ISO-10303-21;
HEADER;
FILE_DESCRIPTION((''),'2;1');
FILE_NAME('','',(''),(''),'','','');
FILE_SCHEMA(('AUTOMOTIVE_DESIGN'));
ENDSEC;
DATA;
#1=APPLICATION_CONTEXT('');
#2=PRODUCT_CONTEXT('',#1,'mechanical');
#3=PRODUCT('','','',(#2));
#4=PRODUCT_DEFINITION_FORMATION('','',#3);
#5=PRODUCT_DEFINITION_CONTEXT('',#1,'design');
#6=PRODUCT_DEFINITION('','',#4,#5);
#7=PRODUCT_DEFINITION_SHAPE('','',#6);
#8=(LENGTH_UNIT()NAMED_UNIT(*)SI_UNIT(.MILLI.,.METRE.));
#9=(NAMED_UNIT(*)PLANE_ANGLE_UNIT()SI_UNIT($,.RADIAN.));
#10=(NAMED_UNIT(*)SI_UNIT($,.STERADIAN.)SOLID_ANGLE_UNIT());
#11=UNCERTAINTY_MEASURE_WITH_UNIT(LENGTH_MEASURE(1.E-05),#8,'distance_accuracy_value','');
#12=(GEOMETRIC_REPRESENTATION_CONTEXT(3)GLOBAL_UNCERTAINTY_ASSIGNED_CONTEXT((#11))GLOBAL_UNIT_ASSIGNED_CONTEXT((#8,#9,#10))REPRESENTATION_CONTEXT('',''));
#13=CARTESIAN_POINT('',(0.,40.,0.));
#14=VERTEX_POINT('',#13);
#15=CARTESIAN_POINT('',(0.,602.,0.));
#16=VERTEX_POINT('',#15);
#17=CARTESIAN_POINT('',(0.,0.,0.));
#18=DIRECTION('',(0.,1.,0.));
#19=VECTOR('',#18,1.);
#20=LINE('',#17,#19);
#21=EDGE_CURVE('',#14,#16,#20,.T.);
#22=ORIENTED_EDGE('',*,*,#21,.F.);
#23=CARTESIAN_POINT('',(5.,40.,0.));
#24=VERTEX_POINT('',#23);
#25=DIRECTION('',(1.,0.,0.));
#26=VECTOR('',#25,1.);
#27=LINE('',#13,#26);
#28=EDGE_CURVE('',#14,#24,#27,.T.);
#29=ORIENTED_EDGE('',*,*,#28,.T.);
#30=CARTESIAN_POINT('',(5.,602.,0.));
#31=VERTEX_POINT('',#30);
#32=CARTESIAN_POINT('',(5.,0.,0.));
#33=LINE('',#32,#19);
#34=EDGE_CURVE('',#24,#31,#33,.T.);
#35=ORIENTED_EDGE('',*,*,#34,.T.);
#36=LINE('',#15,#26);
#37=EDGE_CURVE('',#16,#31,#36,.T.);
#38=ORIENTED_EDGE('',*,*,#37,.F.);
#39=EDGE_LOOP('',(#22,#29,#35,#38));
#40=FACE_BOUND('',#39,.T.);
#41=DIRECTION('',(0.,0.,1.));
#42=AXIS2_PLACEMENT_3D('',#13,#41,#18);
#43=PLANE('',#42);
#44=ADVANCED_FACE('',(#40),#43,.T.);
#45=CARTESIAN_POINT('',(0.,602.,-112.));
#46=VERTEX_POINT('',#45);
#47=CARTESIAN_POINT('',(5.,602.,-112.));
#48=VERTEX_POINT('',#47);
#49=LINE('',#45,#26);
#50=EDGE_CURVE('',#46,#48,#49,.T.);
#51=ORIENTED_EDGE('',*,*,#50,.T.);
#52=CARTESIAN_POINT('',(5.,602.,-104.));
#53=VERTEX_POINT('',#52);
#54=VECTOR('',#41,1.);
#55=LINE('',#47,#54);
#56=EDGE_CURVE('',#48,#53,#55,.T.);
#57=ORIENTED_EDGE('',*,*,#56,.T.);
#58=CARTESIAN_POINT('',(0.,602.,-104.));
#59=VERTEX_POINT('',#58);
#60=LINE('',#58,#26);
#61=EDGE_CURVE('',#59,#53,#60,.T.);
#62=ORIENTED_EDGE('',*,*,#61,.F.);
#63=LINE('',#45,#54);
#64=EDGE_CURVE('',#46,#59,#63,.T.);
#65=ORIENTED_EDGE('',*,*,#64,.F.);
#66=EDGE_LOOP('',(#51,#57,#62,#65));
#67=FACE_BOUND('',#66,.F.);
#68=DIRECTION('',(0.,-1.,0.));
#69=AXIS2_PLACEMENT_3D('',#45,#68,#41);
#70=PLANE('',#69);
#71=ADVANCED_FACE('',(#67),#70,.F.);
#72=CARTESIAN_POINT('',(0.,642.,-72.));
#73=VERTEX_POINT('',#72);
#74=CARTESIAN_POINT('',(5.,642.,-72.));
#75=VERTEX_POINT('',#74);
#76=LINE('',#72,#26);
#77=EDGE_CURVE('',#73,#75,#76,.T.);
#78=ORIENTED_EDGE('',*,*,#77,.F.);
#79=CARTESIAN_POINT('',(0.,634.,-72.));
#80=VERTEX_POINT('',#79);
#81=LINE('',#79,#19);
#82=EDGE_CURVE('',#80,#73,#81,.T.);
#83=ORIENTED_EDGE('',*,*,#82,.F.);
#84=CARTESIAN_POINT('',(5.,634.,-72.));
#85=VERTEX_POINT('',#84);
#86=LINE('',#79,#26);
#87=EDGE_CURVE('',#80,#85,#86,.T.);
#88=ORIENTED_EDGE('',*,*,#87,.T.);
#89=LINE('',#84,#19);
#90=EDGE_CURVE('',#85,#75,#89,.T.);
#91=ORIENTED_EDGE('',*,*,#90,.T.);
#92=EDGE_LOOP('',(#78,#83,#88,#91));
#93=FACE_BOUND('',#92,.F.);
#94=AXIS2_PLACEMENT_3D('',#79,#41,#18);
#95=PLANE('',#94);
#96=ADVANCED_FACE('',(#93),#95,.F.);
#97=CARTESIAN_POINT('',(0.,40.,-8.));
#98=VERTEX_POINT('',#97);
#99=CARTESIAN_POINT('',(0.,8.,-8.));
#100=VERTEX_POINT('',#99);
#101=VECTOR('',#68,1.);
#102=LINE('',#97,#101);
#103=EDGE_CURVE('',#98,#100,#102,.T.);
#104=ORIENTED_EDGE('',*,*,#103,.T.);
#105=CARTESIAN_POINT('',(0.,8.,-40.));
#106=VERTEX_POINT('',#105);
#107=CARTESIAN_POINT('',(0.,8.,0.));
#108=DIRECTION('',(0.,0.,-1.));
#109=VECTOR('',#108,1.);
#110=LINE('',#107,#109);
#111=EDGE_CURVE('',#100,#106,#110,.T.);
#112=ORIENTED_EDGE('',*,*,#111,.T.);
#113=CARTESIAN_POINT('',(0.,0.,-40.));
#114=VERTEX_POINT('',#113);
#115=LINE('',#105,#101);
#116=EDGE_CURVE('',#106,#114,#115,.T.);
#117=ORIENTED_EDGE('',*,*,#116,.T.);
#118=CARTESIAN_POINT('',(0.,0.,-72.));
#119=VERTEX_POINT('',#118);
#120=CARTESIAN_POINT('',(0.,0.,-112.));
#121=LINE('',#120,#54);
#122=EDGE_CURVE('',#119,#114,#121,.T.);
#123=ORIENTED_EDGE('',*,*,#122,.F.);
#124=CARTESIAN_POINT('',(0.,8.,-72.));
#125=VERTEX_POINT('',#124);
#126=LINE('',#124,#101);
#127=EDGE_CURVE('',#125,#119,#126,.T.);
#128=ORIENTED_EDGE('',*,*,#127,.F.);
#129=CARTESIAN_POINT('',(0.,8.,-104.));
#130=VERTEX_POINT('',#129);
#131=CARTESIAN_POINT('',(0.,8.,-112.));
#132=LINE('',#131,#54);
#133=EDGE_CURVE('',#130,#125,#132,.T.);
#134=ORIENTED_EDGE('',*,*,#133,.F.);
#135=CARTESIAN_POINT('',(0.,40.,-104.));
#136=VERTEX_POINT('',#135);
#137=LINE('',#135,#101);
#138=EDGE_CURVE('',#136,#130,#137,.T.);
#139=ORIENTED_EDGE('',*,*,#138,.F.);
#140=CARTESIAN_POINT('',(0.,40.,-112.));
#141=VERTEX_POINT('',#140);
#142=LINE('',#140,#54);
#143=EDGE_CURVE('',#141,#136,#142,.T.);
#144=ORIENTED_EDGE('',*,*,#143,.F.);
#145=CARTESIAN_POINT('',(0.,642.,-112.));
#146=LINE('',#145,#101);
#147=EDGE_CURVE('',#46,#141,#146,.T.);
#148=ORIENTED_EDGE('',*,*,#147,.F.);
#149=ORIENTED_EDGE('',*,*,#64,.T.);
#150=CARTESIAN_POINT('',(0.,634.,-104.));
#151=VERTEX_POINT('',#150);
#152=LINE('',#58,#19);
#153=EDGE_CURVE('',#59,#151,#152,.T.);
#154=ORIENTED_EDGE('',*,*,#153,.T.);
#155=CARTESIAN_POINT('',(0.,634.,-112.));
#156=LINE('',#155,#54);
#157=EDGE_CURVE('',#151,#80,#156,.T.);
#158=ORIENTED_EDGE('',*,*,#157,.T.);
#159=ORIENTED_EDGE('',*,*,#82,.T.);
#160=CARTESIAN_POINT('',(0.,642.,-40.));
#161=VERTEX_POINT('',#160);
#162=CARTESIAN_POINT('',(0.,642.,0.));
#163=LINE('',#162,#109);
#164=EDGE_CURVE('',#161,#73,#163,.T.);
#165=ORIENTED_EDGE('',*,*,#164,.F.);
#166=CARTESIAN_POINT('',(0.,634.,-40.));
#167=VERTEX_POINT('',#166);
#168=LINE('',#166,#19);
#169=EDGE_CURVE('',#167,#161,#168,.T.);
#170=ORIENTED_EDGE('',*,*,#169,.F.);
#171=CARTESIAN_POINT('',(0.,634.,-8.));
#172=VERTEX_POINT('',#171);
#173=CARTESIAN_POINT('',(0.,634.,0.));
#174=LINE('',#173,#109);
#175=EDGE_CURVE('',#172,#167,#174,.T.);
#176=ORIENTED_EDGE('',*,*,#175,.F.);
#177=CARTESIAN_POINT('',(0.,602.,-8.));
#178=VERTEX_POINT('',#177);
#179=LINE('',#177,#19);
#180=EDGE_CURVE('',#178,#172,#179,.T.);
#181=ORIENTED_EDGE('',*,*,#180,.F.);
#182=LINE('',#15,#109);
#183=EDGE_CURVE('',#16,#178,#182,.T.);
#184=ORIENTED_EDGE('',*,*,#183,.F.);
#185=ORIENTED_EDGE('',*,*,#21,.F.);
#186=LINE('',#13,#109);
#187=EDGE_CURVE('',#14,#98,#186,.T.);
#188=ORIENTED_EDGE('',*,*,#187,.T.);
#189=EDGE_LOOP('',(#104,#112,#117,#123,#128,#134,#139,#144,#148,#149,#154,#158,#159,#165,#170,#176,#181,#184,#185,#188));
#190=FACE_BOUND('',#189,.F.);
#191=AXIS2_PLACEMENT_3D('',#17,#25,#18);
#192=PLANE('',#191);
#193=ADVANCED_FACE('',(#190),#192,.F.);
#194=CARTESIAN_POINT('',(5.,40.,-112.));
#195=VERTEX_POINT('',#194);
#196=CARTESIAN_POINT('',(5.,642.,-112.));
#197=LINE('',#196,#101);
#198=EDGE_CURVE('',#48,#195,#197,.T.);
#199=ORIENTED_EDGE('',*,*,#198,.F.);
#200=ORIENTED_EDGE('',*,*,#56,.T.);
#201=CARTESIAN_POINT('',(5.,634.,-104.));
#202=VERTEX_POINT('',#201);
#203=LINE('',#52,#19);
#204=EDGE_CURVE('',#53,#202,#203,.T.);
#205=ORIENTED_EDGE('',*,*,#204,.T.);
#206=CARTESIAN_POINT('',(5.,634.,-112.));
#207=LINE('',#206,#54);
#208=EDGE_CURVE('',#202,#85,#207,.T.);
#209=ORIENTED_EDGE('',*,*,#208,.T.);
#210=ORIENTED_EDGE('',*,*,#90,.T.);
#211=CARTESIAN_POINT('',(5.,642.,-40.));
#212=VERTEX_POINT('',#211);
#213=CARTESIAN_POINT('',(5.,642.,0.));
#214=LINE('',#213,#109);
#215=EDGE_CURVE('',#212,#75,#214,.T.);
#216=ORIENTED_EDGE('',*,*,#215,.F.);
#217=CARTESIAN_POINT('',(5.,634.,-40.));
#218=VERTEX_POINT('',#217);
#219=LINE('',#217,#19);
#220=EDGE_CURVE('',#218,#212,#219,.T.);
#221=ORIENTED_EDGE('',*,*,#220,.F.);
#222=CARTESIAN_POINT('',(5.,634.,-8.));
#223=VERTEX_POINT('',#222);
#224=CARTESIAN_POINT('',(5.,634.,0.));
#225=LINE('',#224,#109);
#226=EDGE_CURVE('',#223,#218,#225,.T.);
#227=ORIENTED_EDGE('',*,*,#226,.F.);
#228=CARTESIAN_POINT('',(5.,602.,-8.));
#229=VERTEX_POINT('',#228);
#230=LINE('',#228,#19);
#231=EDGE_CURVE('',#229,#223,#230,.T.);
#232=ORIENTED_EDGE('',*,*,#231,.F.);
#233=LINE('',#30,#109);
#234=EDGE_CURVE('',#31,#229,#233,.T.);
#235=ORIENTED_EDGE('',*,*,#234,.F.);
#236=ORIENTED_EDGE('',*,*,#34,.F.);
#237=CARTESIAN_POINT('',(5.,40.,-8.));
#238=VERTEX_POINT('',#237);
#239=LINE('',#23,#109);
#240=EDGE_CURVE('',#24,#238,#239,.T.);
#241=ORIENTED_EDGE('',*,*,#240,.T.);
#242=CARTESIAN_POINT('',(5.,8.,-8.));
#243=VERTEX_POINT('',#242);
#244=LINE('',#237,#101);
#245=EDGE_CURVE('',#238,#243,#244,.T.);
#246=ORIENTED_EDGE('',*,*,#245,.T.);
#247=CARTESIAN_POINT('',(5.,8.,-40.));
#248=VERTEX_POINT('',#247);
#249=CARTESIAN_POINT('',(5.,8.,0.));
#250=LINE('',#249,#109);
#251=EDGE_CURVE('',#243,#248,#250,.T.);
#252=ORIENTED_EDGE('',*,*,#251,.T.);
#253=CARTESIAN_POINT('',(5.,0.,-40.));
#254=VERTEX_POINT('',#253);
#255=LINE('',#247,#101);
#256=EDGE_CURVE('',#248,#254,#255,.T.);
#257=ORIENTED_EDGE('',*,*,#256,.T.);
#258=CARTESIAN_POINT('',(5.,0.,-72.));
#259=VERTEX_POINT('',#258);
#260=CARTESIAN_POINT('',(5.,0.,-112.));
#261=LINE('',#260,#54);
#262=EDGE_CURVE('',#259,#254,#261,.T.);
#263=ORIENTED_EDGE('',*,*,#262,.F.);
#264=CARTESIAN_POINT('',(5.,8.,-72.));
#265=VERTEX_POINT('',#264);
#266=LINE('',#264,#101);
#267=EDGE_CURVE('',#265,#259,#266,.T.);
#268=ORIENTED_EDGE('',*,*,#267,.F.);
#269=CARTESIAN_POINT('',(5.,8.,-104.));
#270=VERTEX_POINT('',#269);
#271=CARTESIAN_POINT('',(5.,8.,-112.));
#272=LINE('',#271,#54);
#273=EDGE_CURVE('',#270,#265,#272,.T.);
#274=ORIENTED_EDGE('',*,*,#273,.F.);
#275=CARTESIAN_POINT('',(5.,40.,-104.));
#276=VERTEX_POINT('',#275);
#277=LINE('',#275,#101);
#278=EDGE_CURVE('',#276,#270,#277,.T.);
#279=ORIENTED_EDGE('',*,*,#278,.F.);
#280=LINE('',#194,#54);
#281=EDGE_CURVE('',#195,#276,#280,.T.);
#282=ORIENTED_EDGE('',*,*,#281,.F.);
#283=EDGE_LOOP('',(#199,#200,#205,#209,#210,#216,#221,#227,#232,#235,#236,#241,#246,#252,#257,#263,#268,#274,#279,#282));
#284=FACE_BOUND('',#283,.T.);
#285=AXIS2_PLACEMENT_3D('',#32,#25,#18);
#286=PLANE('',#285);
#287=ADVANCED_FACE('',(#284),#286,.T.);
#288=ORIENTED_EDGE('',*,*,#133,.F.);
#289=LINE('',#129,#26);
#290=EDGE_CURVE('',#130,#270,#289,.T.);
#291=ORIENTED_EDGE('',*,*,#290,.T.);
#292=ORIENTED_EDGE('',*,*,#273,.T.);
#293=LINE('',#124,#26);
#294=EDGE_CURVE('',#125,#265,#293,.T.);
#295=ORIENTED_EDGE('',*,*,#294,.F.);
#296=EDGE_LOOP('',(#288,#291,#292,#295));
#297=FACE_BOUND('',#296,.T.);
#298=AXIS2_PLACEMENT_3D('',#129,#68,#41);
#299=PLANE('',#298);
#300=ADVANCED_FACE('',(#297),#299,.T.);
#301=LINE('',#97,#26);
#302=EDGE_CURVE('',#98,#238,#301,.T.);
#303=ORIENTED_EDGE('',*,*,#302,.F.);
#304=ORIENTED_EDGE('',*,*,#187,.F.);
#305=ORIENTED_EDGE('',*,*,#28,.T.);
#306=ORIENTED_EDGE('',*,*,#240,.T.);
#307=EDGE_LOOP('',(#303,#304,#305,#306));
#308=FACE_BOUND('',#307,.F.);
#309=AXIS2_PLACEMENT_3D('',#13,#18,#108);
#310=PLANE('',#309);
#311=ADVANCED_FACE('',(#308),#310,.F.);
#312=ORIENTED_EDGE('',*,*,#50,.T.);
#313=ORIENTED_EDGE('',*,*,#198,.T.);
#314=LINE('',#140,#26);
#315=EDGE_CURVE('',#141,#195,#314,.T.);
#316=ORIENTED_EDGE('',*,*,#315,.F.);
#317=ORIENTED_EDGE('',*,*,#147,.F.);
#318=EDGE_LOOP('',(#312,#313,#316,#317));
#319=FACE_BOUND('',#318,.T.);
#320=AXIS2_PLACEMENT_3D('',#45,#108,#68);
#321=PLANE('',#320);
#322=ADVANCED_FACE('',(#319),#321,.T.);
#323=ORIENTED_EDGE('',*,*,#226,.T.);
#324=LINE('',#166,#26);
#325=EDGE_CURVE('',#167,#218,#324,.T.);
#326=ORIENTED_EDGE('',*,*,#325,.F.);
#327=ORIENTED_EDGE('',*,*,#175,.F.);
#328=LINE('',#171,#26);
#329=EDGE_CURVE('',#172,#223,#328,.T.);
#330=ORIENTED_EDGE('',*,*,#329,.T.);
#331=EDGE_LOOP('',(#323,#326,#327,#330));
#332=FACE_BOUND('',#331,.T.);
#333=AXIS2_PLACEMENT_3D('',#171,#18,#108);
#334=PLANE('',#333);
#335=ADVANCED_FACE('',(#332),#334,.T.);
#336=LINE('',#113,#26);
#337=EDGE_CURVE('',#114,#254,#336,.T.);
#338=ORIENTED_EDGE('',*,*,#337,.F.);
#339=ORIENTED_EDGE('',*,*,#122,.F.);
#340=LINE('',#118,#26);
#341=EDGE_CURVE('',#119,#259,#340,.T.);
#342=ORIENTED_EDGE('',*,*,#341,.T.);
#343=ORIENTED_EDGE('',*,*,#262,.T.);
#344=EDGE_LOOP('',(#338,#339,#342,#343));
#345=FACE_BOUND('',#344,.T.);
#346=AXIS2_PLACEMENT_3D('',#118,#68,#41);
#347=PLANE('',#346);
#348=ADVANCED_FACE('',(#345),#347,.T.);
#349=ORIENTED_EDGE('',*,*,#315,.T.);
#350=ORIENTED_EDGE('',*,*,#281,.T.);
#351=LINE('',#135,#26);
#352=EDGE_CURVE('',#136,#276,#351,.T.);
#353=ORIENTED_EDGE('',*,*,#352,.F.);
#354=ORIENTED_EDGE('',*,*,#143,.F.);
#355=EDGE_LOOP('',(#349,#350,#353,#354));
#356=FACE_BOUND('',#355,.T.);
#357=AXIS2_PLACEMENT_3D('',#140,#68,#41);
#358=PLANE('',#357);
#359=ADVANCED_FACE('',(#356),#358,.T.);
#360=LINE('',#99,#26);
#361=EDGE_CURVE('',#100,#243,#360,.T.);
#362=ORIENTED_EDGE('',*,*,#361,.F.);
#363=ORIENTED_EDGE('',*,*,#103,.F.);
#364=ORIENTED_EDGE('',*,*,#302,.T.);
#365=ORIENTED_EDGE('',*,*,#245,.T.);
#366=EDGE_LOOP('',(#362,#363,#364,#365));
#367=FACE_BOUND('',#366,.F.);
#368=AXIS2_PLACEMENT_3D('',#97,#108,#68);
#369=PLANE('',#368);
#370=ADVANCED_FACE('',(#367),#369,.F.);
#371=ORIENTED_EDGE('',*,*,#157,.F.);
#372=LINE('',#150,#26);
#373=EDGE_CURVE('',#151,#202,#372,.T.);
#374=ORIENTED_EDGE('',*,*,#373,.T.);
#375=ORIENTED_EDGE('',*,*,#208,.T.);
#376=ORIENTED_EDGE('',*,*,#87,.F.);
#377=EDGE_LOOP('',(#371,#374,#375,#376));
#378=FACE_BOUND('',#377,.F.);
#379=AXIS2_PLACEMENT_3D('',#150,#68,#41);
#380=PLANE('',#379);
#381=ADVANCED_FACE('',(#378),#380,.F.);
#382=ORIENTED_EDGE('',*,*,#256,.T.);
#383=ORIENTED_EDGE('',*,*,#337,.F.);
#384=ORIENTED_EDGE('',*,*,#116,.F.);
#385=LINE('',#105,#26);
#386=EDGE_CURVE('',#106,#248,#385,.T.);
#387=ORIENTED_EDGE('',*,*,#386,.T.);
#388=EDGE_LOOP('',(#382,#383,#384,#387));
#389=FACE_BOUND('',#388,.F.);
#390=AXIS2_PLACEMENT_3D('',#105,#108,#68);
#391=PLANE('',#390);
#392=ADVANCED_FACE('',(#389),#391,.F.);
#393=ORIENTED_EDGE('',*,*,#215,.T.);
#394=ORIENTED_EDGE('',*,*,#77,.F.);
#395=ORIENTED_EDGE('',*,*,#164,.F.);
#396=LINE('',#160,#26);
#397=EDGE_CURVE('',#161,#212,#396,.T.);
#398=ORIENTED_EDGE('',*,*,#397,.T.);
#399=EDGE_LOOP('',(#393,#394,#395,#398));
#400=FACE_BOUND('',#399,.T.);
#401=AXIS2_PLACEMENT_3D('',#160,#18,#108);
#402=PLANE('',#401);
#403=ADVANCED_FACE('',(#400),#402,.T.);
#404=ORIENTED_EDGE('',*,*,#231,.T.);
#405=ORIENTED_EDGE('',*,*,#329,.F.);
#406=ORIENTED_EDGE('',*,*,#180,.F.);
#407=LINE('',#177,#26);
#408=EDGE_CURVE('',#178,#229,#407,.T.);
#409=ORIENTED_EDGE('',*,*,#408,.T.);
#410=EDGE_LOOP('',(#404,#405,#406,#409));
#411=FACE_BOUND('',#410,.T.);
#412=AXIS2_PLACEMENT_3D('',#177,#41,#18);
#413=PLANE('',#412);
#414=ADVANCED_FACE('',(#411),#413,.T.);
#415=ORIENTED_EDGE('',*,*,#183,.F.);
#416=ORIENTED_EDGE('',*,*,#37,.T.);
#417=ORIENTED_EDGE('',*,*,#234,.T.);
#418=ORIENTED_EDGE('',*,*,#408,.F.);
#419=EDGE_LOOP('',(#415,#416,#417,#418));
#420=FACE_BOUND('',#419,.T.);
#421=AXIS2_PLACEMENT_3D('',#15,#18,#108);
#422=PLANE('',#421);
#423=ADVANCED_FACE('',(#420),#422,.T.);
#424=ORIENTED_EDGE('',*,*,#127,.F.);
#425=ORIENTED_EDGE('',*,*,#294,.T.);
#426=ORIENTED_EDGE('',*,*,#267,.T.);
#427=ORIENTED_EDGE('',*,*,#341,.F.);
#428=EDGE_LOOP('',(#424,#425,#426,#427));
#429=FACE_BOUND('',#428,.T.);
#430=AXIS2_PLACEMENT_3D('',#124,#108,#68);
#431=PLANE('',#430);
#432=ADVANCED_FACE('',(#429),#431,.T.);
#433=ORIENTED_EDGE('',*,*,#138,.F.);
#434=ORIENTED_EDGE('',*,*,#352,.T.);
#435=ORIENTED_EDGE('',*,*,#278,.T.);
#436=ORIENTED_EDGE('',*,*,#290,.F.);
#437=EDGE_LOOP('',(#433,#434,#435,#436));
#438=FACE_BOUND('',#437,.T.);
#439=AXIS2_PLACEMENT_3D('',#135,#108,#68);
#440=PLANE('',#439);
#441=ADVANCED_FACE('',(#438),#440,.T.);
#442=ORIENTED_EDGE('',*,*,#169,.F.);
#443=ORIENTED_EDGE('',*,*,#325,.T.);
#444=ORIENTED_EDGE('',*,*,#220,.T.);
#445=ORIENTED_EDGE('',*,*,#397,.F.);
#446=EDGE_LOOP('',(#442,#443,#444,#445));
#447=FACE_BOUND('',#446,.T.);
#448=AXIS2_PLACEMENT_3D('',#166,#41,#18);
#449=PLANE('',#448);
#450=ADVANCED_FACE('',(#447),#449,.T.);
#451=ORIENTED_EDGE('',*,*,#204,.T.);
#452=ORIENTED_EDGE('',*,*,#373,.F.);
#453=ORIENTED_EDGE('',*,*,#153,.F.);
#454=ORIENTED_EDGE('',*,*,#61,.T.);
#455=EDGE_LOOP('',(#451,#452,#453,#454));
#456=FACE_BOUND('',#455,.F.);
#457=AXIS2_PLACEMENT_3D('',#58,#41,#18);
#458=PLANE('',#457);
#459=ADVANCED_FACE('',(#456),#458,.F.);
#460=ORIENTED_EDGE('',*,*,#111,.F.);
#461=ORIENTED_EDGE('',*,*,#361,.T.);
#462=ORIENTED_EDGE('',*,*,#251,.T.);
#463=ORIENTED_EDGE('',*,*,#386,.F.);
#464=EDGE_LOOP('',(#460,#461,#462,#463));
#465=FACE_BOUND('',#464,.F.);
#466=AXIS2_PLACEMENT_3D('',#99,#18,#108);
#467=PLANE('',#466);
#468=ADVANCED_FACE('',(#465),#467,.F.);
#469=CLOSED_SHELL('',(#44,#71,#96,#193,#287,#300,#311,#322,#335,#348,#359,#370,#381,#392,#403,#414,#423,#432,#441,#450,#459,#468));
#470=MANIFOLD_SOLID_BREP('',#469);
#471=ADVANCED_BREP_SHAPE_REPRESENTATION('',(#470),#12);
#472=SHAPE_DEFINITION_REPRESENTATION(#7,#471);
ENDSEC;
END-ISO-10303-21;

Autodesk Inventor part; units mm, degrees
ref_plane "YZ Plane" through (0, 0, 0) normal (1, 0, 0) x (0, 1, 0)
ref_plane "XZ Plane" through (0, 0, 0) normal (0, 1, 0) x (-1, 0, 0)
ref_plane "XY Plane" through (0, 0, 0) normal (0, 0, 1) x (1, 0, 0)
sketch "Sketch1" plane through (0, 0, 0) normal (1, 0, 0) x (0, 1, 0)
  line L0 (0, 0) -> (642, 0)
  line L1 (642, 0) -> (642, -112)
  line L2 (642, -112) -> (0, -112)
  line L3 (0, -112) -> (0, 0)
  line L4 (642, 0) -> (634, 0)
  line L5 (634, 0) -> (634, -40)
  line L6 (634, -40) -> (642, -40)
  line L7 (642, -40) -> (642, 0)
  line L8 (642, 0) -> (602, 0)
  line L9 (602, 0) -> (602, -8)
  line L10 (602, -8) -> (642, -8)
  line L11 (642, -8) -> (642, 0)
  line L12 (856.5319, -56) -> (-65.1606, -56) construction
  line L13 (321, 165.682) -> (321, -1074.2454) construction
  line L14 (642, -112) -> (634, -112)
  line L15 (634, -112) -> (634, -72)
  line L16 (634, -72) -> (642, -72)
  line L17 (642, -72) -> (642, -112)
  line L18 (642, -112) -> (602, -112)
  line L19 (602, -112) -> (602, -104)
  line L20 (602, -104) -> (642, -104)
  line L21 (642, -104) -> (642, -112)
  line L22 (0, 0) -> (0, -112)
  line L23 (0, 0) -> (8, 0)
  line L24 (8, 0) -> (8, -40)
  line L25 (8, -40) -> (0, -40)
  line L26 (0, -40) -> (0, 0)
  line L27 (0, 0) -> (40, 0)
  line L28 (40, 0) -> (40, -8)
  line L29 (40, -8) -> (0, -8)
  line L30 (0, -8) -> (0, 0)
  line L31 (8, -72) -> (0, -72)
  line L32 (40, -104) -> (0, -104)
  line L33 (0, -112) -> (8, -112)
  line L34 (8, -112) -> (8, -72)
  line L35 (0, -72) -> (0, -112)
  line L36 (0, -112) -> (40, -112)
  line L37 (40, -112) -> (40, -104)
  line L38 (0, -104) -> (0, -112)
  point P0 (40, -112)
  point P1 (602, -112)
  point P2 (634, -104)
  point P3 (642, -72)
  point P4 (642, -40)
  point P5 (634, -8)
  point P6 (602, 0)
  point P7 (40, 0)
  point P8 (8, -8)
  point P9 (0, -40)
  point P10 (0, -72)
  point P11 (8, -104)
  dimension "d0" = 642
  dimension "d1" = 112
  dimension "d2" = 40
  dimension "d3" = 40
  dimension "d4" = 8
  dimension "d5" = 8
  dimension "d6" = 56
  dimension "d7" = 321
extrude "Extrusion1" add sketch "Sketch1" along normal blind 5 contours L0 L9 L10 L5 L6 L1 L16 L15 L20 L19 L2 L37 L32 L34 L31 L3 L25 L24 L29 L28
equation "\"d6\" = 0.5 * d1"
equation "\"d7\" = 0.5 * d0"
properties part number "Acrly_Wand_1"
